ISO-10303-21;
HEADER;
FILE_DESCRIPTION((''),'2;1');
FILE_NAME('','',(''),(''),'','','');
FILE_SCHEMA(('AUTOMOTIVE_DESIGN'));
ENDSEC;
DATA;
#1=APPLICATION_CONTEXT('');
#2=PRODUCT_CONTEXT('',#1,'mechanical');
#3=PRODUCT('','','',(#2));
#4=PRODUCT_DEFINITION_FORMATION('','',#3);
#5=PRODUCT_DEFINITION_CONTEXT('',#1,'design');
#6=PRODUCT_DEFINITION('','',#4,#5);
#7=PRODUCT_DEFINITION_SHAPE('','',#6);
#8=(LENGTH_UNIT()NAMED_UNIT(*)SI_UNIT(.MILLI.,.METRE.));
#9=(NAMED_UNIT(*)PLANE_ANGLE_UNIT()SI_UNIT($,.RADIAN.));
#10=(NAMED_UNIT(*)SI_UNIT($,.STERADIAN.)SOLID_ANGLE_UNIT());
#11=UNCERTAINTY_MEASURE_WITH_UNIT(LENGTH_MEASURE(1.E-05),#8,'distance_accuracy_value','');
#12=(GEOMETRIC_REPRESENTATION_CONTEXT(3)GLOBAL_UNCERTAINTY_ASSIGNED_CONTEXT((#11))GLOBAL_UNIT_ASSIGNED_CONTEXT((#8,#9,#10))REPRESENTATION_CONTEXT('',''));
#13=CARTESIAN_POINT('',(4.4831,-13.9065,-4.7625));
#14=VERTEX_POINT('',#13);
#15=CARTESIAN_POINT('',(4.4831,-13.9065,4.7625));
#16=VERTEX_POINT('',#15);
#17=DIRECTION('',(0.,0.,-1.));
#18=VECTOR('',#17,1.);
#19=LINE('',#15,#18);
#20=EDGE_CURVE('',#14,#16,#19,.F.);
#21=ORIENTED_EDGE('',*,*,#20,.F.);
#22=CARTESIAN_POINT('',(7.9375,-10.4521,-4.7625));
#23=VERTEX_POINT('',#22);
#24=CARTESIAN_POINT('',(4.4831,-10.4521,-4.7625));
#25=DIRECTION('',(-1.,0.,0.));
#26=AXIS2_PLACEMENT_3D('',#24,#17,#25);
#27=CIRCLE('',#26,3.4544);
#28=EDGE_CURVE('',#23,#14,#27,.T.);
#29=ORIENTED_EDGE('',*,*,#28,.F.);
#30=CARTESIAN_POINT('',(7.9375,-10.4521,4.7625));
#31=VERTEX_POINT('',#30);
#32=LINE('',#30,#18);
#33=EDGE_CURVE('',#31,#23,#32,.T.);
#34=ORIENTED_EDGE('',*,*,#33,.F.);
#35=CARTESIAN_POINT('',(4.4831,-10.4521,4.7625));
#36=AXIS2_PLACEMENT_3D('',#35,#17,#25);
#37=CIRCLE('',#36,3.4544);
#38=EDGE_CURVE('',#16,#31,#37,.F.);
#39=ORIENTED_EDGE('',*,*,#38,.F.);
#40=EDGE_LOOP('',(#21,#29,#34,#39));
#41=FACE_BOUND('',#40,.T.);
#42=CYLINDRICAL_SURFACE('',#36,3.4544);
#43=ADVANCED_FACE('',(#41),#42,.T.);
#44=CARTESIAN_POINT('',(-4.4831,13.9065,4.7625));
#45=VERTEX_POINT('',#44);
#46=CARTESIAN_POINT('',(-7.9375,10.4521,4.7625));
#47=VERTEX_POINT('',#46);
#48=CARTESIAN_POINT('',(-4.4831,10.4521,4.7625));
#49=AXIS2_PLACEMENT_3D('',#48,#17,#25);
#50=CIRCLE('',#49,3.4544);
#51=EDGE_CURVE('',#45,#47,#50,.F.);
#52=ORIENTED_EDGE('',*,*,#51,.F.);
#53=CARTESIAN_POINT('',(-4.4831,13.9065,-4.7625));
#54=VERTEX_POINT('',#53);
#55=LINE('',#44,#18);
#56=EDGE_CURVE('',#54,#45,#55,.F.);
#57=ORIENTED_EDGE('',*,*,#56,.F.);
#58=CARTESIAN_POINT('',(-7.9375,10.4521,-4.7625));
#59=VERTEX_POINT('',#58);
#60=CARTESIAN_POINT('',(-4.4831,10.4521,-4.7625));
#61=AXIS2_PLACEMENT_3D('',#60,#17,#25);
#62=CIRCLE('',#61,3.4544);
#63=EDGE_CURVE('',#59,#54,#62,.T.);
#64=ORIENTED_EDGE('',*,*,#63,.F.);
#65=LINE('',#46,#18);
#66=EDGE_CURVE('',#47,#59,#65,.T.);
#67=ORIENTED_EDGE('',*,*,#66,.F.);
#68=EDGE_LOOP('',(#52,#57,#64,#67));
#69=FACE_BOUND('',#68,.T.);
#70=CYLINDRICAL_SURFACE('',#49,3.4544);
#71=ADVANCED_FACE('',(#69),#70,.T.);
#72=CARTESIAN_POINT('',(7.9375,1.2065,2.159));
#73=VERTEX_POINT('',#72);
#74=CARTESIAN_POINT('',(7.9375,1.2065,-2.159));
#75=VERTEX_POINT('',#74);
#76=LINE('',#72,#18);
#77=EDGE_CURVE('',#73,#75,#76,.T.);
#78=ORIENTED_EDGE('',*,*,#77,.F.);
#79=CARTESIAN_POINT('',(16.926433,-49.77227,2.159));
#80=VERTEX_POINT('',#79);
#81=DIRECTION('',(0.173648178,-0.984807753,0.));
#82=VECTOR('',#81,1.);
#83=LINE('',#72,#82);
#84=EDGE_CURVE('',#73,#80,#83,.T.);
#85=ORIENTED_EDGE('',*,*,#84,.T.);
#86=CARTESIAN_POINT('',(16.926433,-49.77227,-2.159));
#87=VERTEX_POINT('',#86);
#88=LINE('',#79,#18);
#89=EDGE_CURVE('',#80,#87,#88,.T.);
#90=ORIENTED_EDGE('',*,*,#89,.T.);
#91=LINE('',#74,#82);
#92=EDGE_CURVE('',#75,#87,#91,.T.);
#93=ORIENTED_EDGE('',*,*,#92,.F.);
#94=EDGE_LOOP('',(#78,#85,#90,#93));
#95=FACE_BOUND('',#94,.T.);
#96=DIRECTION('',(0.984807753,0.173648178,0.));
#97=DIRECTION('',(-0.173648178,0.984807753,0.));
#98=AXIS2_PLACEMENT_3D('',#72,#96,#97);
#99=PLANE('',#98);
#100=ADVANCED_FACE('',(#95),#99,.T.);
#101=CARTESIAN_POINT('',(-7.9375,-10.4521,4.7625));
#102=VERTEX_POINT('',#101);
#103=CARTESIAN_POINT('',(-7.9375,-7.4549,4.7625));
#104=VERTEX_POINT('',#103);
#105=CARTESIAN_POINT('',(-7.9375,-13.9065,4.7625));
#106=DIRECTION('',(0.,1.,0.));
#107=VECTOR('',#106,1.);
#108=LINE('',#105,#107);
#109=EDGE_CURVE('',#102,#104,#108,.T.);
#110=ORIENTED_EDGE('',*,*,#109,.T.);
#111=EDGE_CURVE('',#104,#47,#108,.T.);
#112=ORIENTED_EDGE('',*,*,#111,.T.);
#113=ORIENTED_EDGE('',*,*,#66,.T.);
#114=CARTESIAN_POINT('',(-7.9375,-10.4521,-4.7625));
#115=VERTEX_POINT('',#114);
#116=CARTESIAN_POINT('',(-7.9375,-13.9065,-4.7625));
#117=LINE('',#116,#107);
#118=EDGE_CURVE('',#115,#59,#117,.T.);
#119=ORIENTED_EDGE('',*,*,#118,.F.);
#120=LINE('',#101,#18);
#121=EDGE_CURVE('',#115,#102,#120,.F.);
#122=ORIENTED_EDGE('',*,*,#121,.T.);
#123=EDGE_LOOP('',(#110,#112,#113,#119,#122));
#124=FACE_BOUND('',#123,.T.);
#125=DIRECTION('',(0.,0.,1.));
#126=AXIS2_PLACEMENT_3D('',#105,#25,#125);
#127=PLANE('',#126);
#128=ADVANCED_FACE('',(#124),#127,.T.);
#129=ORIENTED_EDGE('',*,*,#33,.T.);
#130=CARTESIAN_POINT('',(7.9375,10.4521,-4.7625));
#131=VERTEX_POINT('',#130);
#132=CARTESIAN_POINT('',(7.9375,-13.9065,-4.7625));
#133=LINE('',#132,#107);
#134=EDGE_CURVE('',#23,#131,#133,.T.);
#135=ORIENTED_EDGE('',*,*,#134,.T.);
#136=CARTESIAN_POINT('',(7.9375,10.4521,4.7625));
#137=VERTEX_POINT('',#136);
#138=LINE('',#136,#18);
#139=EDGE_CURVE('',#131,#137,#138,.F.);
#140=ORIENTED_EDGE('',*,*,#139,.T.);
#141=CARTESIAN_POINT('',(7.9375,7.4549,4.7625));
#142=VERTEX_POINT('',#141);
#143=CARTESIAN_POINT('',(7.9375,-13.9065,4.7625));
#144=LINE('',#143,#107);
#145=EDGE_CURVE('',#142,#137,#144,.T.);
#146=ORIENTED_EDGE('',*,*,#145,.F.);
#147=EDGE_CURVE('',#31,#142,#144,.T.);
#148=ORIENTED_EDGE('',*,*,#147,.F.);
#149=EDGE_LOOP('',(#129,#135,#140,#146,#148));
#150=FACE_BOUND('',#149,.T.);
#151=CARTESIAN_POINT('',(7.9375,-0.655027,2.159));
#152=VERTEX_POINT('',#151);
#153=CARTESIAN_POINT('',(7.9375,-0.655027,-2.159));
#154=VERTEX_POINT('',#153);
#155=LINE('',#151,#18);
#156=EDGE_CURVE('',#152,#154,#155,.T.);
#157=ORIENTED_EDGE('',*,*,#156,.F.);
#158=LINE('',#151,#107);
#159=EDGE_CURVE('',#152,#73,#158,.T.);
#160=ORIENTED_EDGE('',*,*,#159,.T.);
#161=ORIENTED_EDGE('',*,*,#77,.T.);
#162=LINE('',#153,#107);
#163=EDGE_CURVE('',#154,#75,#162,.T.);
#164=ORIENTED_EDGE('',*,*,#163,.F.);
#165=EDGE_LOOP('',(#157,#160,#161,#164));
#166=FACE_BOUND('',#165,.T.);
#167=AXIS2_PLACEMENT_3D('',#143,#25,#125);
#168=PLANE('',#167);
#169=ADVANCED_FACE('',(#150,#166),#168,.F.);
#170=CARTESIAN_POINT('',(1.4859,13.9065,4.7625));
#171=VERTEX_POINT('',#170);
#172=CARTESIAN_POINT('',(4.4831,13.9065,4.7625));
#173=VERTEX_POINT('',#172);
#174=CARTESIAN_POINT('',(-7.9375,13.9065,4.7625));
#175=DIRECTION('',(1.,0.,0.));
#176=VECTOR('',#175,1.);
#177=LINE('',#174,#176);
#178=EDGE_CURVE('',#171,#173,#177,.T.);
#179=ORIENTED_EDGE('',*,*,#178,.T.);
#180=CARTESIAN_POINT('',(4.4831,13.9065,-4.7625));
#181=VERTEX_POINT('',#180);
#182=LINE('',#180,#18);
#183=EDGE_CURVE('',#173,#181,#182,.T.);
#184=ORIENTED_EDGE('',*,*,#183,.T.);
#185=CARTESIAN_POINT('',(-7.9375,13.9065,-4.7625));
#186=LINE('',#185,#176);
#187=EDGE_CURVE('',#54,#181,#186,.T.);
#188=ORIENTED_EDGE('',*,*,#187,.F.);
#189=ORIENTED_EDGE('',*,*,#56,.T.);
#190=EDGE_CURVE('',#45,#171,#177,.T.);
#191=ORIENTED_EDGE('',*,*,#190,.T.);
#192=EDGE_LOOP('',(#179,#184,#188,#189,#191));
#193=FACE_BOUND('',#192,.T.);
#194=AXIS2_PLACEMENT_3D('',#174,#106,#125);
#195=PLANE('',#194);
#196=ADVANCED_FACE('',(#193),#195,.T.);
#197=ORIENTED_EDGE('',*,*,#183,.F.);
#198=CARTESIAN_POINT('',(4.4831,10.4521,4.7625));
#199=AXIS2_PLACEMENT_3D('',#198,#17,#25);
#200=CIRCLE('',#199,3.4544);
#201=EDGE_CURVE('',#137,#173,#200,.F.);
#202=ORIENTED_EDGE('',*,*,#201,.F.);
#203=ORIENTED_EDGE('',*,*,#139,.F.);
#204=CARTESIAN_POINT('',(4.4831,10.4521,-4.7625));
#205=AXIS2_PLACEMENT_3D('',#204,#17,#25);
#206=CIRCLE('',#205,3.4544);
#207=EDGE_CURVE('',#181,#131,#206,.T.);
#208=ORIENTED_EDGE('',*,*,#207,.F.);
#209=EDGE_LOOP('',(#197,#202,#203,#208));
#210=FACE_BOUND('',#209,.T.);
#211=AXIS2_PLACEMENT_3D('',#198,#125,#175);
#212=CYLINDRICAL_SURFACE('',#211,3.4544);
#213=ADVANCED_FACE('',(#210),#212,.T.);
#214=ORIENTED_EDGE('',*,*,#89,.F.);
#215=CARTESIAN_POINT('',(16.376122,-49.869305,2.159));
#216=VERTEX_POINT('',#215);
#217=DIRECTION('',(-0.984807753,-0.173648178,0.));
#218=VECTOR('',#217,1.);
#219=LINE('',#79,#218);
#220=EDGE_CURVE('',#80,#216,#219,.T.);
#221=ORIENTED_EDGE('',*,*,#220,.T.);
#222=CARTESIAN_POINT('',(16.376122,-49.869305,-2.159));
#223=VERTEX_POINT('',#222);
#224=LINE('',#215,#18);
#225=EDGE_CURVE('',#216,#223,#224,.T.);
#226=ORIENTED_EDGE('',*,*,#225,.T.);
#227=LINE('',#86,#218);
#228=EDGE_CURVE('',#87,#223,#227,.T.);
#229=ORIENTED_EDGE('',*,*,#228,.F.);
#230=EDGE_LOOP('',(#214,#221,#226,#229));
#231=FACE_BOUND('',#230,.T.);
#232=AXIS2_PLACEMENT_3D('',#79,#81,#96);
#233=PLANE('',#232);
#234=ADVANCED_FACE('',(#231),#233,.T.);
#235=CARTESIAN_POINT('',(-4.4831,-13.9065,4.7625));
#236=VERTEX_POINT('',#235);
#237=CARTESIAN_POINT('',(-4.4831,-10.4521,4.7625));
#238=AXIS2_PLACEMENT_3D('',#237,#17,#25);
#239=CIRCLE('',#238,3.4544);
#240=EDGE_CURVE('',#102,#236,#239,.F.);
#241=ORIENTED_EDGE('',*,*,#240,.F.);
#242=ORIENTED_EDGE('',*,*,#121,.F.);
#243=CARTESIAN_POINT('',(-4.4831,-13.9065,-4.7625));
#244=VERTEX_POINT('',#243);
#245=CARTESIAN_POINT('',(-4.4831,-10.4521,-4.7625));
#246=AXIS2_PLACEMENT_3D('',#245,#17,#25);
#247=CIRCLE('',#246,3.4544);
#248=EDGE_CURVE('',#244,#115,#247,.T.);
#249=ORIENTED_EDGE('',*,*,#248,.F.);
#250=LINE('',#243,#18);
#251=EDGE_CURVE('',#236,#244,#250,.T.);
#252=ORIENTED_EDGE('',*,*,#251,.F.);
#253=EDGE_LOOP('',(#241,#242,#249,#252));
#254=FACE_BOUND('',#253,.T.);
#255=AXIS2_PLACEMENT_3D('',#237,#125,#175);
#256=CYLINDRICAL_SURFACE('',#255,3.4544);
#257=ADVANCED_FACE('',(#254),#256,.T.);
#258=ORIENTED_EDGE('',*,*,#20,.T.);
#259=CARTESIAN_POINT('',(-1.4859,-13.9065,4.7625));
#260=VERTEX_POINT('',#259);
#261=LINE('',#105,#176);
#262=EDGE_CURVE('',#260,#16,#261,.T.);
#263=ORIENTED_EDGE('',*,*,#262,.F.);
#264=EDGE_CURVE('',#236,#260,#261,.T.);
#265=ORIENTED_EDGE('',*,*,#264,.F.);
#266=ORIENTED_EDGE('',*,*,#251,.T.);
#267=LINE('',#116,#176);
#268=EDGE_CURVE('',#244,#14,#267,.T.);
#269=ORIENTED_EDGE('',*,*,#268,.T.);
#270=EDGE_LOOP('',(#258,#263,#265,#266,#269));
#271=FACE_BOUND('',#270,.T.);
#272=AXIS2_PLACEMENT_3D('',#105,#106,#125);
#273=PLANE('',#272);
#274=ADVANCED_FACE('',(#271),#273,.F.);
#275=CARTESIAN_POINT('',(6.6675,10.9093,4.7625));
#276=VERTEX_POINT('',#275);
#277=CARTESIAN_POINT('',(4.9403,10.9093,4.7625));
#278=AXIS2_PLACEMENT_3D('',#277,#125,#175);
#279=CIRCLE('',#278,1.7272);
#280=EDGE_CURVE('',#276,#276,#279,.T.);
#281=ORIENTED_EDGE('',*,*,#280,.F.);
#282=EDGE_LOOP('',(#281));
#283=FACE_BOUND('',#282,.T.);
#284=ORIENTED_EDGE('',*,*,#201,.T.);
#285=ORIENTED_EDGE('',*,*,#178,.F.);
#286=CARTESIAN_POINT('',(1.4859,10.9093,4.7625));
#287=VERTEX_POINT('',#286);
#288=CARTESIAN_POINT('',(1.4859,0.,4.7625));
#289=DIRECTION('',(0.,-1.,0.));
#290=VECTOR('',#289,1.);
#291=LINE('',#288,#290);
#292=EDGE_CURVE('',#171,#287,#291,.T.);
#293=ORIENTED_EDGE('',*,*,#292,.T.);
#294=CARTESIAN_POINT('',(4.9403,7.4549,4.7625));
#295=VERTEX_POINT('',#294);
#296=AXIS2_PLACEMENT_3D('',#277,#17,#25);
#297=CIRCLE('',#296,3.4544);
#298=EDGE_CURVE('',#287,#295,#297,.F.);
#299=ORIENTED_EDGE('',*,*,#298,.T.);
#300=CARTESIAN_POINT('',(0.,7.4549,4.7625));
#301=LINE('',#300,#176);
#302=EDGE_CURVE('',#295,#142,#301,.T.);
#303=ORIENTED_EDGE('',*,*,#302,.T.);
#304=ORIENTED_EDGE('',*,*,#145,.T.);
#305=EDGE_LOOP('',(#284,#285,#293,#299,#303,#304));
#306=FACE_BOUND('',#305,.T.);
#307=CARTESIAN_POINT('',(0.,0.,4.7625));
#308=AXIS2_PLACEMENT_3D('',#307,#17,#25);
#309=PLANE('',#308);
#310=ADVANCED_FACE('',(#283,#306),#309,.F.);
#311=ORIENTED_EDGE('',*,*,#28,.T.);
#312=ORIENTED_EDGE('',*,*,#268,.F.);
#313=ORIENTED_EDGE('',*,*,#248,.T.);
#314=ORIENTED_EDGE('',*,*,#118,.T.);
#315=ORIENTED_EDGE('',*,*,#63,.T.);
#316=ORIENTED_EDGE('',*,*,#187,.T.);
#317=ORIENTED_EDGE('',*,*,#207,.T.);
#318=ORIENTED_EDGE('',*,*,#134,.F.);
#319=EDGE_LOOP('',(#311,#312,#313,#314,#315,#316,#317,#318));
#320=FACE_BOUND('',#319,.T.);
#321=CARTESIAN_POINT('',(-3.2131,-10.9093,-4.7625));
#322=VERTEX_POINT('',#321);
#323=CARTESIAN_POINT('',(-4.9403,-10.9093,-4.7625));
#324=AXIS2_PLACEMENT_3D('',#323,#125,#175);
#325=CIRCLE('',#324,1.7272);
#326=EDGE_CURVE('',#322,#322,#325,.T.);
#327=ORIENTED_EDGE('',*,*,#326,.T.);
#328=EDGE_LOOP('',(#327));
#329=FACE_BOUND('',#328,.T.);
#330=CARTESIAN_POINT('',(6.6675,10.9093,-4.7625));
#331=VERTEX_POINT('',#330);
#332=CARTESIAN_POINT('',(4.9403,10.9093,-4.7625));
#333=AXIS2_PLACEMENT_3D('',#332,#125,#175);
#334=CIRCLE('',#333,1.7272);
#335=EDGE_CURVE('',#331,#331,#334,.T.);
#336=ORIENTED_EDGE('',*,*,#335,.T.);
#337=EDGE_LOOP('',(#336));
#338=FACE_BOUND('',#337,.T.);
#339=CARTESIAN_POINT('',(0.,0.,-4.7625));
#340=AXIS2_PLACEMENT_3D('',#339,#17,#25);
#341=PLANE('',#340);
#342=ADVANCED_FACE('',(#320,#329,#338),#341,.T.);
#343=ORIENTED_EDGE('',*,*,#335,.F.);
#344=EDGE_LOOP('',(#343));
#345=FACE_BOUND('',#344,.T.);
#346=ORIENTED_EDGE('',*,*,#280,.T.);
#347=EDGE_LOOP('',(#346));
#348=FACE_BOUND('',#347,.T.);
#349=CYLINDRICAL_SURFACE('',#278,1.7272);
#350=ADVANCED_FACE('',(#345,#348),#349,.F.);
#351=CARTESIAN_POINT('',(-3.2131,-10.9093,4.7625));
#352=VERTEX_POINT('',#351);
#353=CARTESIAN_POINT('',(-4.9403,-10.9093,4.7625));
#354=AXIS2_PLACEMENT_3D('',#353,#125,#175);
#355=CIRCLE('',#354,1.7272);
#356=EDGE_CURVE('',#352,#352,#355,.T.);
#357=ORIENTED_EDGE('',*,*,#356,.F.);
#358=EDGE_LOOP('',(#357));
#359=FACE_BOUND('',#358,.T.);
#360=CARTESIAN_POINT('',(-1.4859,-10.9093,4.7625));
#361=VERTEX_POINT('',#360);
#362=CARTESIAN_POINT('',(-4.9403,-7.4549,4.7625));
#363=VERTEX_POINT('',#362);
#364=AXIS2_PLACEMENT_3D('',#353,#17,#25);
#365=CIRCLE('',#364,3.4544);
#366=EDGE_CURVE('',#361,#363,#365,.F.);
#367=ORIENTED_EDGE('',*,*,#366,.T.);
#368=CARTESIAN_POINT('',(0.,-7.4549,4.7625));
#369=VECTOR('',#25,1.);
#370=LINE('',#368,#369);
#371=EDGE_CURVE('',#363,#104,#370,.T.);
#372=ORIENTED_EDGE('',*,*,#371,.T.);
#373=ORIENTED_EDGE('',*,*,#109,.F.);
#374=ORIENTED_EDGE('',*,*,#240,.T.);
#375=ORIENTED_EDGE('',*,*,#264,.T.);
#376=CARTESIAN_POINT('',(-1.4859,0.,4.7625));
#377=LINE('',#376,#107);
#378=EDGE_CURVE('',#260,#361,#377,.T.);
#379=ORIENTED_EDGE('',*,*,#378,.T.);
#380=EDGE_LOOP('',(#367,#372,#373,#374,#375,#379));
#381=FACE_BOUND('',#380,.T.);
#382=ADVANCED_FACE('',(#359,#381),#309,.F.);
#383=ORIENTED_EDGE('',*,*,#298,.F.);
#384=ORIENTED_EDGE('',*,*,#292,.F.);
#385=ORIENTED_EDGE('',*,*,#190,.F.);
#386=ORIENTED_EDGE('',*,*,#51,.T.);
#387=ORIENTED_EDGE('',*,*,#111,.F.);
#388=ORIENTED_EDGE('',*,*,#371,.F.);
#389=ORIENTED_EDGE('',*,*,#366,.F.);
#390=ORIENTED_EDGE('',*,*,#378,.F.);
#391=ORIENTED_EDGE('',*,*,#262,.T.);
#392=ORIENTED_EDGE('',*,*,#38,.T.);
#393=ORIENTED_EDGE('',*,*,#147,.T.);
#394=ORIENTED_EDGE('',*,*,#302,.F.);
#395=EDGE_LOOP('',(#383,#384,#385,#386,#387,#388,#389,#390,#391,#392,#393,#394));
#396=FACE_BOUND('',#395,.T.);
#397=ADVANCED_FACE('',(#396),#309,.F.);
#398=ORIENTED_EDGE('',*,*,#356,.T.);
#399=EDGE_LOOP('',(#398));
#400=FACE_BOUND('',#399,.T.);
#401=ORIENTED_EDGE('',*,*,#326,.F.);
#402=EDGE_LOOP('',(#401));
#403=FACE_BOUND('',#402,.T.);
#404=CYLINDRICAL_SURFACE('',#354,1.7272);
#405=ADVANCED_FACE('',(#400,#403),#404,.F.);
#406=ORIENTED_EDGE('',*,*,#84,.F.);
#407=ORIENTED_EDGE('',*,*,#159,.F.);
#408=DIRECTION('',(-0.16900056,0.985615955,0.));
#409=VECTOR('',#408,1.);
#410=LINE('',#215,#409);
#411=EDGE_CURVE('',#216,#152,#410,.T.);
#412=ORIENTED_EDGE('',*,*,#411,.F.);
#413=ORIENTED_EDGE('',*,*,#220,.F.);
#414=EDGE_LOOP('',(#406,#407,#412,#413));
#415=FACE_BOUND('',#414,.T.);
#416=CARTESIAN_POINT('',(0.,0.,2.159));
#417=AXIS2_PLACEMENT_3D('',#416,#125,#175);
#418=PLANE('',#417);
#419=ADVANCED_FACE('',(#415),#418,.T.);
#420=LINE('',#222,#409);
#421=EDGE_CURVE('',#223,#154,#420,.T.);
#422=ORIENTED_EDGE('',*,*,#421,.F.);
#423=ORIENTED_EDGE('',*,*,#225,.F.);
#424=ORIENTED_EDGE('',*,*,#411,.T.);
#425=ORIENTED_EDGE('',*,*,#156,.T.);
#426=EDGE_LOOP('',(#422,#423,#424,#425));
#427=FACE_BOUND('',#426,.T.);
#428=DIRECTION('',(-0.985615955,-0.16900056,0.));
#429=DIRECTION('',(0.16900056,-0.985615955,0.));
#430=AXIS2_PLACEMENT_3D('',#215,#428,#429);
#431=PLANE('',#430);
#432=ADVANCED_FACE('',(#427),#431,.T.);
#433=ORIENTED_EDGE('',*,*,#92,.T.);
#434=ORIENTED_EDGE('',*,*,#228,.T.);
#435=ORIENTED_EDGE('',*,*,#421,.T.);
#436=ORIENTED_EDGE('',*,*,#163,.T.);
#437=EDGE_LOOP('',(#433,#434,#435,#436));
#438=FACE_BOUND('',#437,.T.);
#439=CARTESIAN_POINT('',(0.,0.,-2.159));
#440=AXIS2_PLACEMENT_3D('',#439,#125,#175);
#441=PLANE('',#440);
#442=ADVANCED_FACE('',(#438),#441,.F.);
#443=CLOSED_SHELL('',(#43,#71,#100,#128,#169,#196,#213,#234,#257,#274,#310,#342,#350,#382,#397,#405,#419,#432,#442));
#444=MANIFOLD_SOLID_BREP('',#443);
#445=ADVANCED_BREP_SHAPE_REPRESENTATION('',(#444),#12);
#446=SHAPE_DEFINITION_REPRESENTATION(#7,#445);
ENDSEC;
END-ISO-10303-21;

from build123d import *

# Parameters (mm, degrees)
SKETCH1_W                   = 15.875
SKETCH1_H                   = 27.813
BOSS_EXTRUDE1_DEPTH         = 4.7625
BOSS_EXTRUDE2_DEPTH         = 2.159
F_29_0_136_DIAMETER_HOLE1_D = 3.4544
FILLET1_R                   = 3.4544


with BuildPart() as part:
    # Sketch1 → Boss-Extrude1 (new, symmetric)
    with BuildSketch(Plane.XY):
        Rectangle(SKETCH1_W, SKETCH1_H)
    extrude(amount=BOSS_EXTRUDE1_DEPTH, both=True)

    # Sketch2 → Boss-Extrude2 (add, symmetric)
    with BuildSketch(Plane.XY):
        Polygon((7.9375, 1.2065), (16.926432647, -49.772270296), (16.376122074, -49.869304898), (7.9375, -0.655026961), align=None)
    extrude(amount=BOSS_EXTRUDE2_DEPTH, both=True)

    # #29 (0.136) Diameter Hole1 (through all)
    with Locations(Plane.XY.offset(4.7625)):
        with Locations((-4.9403, -10.9093), (4.9403, 10.9093)):
            Hole(F_29_0_136_DIAMETER_HOLE1_D / 2)

    # Fillet1
    fillet1_edges = [part.edges().sort_by_distance(p)[0] for p in [
        (-7.9375, -13.9065, 0),
        (7.9375, -13.9065, 0),
        (7.9375, 13.9065, 0),
        (-7.9375, 13.9065, 0),
    ]]
    fillet(fillet1_edges, radius=FILLET1_R)


solid = part.part
